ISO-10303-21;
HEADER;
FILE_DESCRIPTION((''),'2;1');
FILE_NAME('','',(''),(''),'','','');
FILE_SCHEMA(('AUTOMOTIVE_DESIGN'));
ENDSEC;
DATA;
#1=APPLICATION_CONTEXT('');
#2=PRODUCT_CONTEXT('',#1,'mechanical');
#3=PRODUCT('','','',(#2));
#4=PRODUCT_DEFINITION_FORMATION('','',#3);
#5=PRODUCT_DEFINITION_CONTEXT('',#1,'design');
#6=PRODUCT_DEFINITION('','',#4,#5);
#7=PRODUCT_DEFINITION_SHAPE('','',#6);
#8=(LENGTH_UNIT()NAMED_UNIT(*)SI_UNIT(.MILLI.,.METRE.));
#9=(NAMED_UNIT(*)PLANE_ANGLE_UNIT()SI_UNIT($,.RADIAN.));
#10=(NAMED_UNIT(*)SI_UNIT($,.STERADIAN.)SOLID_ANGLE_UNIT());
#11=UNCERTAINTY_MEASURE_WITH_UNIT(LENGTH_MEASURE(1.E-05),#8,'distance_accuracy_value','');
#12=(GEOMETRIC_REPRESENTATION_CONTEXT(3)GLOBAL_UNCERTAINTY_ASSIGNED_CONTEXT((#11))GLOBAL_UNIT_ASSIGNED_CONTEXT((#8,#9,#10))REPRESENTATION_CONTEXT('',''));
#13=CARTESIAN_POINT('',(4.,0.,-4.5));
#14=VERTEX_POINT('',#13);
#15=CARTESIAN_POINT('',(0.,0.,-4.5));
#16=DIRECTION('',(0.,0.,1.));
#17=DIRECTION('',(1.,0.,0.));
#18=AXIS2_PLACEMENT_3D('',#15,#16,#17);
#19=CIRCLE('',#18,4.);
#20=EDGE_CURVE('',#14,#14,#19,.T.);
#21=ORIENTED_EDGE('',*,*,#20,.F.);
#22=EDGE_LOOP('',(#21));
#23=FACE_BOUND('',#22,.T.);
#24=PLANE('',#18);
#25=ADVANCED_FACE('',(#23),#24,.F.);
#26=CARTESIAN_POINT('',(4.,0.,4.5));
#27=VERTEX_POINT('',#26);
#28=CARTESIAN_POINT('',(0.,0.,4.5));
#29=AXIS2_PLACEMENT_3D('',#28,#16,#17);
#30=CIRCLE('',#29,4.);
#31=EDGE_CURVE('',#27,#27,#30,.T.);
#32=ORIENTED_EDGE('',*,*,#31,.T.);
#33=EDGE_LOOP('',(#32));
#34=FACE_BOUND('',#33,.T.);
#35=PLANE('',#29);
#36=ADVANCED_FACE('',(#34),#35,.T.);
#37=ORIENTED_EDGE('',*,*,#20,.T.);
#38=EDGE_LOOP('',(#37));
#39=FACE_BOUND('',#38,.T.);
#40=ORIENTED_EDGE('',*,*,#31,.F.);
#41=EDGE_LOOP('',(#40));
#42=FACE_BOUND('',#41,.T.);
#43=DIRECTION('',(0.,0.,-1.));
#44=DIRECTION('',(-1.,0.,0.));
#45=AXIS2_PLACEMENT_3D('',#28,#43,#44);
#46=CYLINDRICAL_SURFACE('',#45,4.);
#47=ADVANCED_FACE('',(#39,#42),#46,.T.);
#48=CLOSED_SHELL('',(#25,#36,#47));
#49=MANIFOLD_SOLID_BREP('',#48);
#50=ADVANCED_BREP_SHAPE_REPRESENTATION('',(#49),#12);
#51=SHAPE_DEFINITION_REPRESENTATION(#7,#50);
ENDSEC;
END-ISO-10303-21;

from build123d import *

# Parameters (mm, degrees)
SKETCH_1_R      = 4
EXTRUDE_1_DEPTH = 4.5


with BuildPart() as part:
    # 草圖1 → 填料-伸長1 (new body, symmetric)
    with BuildSketch(Plane.XY):
        Circle(SKETCH_1_R)
    extrude(amount=EXTRUDE_1_DEPTH, both=True)


solid = part.part
